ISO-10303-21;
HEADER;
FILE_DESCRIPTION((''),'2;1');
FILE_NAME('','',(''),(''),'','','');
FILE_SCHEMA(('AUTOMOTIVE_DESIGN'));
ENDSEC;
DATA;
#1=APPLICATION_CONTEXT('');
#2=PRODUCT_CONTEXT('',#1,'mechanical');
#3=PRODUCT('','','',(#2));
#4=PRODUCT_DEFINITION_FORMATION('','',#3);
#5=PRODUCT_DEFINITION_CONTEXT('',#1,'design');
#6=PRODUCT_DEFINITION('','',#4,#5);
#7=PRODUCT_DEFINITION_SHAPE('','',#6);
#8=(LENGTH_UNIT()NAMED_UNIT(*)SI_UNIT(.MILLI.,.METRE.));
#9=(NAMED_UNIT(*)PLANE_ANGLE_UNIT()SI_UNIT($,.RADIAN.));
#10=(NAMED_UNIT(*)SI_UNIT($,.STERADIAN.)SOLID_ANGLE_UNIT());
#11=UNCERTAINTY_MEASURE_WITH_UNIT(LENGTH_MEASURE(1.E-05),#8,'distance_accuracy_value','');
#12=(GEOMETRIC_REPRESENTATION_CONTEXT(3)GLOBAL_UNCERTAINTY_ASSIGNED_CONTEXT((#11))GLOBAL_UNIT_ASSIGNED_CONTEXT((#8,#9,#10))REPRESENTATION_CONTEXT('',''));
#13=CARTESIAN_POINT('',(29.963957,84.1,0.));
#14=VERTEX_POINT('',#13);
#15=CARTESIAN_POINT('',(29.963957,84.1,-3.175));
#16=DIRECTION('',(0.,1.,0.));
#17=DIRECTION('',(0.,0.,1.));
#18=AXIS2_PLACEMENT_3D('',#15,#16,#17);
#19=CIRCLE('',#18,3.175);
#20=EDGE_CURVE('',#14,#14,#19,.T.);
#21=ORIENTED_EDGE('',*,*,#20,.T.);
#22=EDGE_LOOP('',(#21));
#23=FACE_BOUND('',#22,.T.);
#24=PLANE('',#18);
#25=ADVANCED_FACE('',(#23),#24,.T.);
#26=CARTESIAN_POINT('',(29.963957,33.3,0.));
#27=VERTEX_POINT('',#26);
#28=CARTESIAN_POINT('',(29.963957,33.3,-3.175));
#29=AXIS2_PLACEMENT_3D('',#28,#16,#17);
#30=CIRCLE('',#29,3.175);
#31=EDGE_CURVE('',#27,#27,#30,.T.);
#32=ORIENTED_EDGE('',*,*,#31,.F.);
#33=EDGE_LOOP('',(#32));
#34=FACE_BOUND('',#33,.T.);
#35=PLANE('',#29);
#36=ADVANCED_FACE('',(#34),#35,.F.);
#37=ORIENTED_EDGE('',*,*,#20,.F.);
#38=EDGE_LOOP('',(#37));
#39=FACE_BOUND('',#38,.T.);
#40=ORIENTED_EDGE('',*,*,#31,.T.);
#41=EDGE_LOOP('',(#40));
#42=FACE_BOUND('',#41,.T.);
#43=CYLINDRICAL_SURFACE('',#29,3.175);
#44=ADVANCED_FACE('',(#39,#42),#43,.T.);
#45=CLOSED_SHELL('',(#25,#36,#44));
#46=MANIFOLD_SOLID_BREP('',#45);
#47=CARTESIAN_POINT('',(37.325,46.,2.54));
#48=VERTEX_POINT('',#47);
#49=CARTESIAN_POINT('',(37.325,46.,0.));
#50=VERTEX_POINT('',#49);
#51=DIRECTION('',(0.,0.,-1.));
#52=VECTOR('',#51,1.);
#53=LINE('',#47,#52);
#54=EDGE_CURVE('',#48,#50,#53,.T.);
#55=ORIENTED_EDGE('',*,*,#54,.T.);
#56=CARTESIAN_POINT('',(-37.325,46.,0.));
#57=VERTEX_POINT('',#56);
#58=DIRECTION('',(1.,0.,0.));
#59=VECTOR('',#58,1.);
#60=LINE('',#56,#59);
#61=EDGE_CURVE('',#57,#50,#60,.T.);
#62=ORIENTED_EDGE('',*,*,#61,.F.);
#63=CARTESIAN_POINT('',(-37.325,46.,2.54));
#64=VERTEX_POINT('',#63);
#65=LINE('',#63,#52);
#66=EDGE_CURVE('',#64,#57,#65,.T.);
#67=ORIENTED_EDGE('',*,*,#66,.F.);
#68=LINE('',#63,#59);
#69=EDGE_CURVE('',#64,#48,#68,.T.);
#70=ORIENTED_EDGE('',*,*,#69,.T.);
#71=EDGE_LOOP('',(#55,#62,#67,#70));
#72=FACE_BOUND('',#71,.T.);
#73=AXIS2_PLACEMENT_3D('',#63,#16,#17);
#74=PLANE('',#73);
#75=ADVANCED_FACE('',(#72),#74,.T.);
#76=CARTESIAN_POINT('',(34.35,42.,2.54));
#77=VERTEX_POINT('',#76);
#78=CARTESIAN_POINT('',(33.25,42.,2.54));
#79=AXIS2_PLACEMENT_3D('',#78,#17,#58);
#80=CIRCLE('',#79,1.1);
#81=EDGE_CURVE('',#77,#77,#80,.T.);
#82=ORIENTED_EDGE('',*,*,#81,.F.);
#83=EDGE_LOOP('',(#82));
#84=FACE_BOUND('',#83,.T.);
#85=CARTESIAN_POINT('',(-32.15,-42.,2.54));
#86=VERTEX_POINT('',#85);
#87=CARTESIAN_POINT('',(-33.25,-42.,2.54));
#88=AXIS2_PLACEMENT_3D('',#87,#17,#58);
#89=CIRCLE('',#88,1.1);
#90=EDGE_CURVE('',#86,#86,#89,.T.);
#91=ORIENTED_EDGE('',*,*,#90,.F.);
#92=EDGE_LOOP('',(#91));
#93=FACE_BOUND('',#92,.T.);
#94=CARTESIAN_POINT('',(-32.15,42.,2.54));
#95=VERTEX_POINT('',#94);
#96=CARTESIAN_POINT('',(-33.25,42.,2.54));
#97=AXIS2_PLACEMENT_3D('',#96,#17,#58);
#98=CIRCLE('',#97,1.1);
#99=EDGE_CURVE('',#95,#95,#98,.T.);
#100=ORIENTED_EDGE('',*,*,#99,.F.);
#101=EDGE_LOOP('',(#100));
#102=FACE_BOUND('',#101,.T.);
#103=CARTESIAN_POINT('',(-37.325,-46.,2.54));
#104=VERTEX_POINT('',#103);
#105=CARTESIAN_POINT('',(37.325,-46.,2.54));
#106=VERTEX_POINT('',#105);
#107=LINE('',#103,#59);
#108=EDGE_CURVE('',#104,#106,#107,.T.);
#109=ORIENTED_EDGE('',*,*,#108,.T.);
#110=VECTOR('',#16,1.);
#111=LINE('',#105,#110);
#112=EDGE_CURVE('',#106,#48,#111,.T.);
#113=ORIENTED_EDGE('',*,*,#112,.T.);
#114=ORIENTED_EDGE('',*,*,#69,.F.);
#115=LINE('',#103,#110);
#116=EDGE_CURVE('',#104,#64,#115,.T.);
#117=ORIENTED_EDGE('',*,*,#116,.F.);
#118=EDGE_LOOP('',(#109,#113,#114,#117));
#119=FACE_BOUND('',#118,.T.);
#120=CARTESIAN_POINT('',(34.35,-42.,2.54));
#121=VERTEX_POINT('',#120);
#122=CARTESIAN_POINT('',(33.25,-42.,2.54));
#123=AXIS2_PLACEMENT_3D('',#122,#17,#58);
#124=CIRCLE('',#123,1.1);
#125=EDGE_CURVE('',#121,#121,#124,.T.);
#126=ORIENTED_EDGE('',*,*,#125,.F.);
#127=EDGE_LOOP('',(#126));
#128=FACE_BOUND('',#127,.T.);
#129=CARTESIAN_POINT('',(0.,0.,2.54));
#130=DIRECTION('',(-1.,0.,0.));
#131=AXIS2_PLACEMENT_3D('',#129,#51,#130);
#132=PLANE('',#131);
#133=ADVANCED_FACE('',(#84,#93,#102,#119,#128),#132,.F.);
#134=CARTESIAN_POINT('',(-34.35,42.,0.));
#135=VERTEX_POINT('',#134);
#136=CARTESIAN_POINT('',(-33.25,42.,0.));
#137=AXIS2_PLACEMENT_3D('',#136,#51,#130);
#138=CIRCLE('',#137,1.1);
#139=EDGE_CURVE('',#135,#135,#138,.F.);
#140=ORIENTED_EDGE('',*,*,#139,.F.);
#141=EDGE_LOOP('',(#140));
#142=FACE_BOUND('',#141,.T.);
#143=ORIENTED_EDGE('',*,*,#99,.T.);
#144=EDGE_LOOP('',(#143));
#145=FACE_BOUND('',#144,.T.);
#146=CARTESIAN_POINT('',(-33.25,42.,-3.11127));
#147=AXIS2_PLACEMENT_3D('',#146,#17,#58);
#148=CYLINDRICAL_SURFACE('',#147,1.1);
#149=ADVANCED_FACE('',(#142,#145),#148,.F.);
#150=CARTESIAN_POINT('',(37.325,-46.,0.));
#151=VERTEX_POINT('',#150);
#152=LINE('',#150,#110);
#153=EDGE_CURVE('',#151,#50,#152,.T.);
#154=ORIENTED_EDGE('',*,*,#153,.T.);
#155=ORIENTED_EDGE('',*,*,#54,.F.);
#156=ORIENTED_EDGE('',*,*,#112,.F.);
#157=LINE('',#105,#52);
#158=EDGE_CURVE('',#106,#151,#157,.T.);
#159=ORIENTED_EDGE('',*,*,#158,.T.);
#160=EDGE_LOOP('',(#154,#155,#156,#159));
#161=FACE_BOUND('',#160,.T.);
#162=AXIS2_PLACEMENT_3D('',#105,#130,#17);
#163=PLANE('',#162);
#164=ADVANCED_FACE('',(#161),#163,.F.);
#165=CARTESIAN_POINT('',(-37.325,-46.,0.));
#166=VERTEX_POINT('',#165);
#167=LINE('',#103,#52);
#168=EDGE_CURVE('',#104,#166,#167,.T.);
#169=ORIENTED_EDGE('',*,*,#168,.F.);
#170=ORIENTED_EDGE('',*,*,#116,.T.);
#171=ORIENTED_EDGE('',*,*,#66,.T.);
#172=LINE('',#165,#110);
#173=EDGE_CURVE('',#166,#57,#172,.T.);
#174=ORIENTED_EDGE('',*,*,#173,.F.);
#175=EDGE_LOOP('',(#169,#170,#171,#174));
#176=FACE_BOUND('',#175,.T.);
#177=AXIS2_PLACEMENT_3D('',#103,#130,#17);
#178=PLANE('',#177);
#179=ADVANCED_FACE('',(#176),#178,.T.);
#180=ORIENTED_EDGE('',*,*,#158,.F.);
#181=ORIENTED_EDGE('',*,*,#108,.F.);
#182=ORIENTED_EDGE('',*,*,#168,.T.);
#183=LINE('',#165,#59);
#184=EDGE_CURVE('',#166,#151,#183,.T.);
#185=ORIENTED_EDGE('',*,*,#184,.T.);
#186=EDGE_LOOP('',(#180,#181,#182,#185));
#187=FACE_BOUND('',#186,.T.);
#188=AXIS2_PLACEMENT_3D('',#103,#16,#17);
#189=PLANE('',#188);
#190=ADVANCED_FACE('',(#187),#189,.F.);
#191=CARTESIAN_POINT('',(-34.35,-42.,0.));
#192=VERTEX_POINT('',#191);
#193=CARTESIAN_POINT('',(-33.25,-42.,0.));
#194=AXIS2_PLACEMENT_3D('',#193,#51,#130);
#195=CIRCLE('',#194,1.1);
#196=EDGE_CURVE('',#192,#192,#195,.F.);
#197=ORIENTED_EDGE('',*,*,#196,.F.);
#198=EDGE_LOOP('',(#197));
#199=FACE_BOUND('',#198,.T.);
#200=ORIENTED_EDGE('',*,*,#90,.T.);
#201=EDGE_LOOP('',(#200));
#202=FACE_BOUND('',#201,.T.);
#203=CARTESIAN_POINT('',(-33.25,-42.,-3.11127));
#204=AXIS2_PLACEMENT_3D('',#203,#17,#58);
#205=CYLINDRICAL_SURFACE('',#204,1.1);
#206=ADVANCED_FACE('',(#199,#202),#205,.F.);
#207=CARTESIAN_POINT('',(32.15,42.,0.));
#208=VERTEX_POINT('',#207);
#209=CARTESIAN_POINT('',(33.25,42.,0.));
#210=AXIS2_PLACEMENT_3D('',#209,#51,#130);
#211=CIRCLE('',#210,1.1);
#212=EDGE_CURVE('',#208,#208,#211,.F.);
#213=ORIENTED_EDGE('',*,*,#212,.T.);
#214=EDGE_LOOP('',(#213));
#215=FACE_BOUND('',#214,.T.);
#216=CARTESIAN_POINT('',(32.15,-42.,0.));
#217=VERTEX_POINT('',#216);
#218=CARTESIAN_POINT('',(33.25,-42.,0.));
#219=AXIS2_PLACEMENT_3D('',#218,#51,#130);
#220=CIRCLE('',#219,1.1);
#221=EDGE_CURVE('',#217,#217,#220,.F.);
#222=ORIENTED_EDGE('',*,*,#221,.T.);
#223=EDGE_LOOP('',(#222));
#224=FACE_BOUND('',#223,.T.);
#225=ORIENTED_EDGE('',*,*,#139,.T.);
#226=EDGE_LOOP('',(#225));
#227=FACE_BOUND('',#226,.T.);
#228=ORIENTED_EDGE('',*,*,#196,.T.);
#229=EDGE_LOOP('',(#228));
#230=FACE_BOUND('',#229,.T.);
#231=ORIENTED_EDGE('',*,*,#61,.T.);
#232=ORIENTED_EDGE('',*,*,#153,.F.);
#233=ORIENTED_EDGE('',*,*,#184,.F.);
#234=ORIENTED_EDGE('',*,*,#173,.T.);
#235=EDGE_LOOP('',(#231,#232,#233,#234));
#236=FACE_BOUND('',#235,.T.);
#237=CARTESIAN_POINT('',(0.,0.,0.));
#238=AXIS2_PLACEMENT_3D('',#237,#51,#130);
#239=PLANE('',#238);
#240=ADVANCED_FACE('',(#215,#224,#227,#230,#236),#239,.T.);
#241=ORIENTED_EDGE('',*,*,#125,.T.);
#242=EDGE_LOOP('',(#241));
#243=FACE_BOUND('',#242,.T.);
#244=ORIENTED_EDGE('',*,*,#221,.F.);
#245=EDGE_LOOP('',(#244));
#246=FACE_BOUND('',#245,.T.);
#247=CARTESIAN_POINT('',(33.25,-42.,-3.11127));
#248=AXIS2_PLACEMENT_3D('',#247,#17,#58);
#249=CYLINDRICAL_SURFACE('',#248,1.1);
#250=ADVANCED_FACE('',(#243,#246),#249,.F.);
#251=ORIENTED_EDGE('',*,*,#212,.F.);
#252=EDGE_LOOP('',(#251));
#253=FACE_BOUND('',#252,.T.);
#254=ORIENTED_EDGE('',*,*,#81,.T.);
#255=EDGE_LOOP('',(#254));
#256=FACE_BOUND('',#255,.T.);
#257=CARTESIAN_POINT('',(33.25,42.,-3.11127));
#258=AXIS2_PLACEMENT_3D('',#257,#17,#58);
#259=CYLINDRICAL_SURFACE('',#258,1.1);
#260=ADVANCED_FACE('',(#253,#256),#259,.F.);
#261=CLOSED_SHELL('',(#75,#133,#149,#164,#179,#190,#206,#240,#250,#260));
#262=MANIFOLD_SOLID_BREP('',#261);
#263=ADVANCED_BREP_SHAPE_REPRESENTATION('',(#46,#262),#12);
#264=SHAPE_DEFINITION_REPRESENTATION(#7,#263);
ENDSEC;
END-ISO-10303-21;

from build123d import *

# Parameters (mm, degrees)
SKETCH1_W                = 74.65
SKETCH1_H                = 92
BOSS_EXTRUDE1_DEPTH      = 2.54
BOSS_EXTRUDE2_DEPTH      = 38.1
BOSS_EXTRUDE2_DEPTH_BACK = 12.7
SKETCH2_R                = 3.175
SKETCH3_R                = 1.1
CUT_EXTRUDE1_DEPTH       = 2.54


with BuildPart() as part:
    # Sketch1 → Boss-Extrude1 (new body)
    with BuildSketch(Plane.XY):
        Rectangle(SKETCH1_W, SKETCH1_H)
    extrude(amount=BOSS_EXTRUDE1_DEPTH)

    # Sketch3 → Cut-Extrude1 (cut)
    with BuildSketch(Plane.XY.offset(2.54)):
        with Locations((-33.25, 42)):
            Circle(SKETCH3_R)
        with Locations((33.25, 42)):
            Circle(SKETCH3_R)
        with Locations((33.25, -42)):
            Circle(SKETCH3_R)
        with Locations((-33.25, -42)):
            Circle(SKETCH3_R)
    extrude(amount=-CUT_EXTRUDE1_DEPTH, mode=Mode.SUBTRACT)


with BuildPart() as body_2:
    # Sketch2 → Boss-Extrude2 (new, two sides: drawn at the far end of the back side and taken through both)
    with BuildSketch(Plane(origin=(0, 46, 0), x_dir=(1, 0, 0), z_dir=(0, 1, 0)).offset(-BOSS_EXTRUDE2_DEPTH_BACK)):
        with Locations(Location((29.963956952, 3.175, 0), (0, 0, 270))):
            Circle(SKETCH2_R)
    extrude(amount=BOSS_EXTRUDE2_DEPTH + BOSS_EXTRUDE2_DEPTH_BACK)


solid = Compound([part.part, body_2.part])
